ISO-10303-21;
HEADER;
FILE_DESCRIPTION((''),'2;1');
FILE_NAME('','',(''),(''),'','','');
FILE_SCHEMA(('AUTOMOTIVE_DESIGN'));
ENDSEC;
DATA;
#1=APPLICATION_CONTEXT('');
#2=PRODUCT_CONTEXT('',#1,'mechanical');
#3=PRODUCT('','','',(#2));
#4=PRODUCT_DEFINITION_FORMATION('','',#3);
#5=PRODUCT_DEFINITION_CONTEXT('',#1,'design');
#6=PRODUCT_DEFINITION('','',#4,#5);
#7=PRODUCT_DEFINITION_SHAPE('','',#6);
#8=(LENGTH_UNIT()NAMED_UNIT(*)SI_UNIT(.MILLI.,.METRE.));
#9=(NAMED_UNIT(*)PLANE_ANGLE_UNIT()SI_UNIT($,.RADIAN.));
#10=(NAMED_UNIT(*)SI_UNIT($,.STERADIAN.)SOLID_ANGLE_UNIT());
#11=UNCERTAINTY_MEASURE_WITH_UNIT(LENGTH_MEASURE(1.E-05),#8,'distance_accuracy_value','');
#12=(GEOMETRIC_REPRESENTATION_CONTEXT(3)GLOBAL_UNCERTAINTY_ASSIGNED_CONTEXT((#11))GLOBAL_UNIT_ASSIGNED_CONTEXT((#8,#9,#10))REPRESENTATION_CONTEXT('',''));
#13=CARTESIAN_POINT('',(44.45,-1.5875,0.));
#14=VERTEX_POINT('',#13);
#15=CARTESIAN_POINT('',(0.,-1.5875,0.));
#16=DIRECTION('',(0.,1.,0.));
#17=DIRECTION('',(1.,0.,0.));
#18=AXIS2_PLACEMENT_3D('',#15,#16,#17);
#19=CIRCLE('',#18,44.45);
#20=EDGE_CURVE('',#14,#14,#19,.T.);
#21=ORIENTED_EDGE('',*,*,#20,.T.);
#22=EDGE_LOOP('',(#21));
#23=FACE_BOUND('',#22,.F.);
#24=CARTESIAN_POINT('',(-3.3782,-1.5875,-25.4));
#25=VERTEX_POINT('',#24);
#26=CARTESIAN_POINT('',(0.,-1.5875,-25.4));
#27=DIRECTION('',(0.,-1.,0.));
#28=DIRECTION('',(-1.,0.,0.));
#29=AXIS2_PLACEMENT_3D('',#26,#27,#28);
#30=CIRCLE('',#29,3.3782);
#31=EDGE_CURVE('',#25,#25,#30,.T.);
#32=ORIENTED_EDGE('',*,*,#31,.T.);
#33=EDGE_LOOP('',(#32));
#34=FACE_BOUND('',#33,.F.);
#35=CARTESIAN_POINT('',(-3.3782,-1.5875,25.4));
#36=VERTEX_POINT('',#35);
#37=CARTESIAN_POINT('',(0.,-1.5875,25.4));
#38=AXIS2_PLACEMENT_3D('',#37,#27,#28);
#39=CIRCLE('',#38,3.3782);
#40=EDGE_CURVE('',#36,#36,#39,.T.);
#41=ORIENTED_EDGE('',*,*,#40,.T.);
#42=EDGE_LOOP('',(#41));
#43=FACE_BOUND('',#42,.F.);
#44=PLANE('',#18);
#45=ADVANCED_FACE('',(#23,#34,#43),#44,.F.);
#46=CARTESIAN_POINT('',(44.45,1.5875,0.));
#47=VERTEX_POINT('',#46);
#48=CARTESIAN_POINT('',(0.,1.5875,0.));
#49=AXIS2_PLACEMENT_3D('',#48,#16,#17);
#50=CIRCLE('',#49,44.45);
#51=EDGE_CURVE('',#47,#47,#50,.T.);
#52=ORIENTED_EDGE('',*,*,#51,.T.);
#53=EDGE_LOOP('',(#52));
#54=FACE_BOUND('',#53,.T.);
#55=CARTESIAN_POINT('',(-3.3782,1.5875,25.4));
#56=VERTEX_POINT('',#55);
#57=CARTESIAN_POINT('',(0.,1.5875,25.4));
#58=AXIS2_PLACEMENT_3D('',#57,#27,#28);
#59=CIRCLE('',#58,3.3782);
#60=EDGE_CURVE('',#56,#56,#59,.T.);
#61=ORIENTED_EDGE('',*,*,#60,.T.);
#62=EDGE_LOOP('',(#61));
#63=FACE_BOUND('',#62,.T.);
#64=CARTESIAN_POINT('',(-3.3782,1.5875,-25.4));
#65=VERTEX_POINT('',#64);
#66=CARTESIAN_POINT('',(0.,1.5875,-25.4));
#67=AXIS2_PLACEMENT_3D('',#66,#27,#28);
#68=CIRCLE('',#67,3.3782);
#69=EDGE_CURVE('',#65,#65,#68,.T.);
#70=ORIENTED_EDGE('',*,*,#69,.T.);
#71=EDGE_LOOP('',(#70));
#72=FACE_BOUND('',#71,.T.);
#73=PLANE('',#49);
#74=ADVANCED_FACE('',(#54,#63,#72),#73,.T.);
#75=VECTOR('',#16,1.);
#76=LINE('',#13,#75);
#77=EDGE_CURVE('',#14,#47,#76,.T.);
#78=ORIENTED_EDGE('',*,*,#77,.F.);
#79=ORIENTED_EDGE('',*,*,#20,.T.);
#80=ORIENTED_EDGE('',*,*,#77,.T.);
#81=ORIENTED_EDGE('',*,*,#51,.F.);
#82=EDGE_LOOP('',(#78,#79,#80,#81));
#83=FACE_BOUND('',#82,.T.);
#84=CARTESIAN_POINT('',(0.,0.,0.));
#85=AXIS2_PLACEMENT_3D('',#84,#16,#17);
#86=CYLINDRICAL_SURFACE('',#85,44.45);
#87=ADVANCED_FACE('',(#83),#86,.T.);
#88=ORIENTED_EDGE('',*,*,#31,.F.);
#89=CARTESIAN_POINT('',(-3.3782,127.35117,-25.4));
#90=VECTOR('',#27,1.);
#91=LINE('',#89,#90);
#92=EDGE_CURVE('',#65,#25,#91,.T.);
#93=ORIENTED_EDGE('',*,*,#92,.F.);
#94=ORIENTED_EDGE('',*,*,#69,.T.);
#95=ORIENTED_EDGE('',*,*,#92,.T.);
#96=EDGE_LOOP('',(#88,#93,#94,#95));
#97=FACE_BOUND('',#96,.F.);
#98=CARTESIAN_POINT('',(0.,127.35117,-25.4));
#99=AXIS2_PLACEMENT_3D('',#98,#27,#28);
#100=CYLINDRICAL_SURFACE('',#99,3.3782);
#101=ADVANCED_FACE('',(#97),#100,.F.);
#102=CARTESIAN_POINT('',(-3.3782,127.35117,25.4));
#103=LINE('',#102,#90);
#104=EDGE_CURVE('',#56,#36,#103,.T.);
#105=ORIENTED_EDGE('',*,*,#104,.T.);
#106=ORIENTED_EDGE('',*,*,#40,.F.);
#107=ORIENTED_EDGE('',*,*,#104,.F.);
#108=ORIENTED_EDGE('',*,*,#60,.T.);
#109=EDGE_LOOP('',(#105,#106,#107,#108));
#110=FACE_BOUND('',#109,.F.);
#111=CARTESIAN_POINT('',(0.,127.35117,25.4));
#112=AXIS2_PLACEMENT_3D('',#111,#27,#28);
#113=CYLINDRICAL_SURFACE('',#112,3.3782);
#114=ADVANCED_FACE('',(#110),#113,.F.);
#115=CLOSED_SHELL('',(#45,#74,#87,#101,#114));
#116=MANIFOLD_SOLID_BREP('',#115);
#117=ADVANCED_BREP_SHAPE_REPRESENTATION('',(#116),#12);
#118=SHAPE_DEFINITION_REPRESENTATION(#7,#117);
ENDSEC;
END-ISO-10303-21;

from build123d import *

# Parameters (mm, degrees)
SKETCH1_R               = 44.45
BOSS_EXTRUDE1_DEPTH     = 1.5875
F_1_4_CLEARANCE_HOLE1_D = 6.7564


with BuildPart() as part:
    # Sketch1 → Boss-Extrude1 (new body, symmetric)
    with BuildSketch(Plane(origin=(0, 0, 0), x_dir=(1, 0, 0), z_dir=(0, 1, 0))):
        Circle(SKETCH1_R)
    extrude(amount=BOSS_EXTRUDE1_DEPTH, both=True)

    # 1/4 Clearance Hole1 (through all)
    with Locations(Plane(origin=(0, 1.5875, 0), x_dir=(1, 0, 0), z_dir=(0, 1, 0))):
        with Locations((0, 25.4), (0, -25.4)):
            Hole(F_1_4_CLEARANCE_HOLE1_D / 2)


solid = part.part
